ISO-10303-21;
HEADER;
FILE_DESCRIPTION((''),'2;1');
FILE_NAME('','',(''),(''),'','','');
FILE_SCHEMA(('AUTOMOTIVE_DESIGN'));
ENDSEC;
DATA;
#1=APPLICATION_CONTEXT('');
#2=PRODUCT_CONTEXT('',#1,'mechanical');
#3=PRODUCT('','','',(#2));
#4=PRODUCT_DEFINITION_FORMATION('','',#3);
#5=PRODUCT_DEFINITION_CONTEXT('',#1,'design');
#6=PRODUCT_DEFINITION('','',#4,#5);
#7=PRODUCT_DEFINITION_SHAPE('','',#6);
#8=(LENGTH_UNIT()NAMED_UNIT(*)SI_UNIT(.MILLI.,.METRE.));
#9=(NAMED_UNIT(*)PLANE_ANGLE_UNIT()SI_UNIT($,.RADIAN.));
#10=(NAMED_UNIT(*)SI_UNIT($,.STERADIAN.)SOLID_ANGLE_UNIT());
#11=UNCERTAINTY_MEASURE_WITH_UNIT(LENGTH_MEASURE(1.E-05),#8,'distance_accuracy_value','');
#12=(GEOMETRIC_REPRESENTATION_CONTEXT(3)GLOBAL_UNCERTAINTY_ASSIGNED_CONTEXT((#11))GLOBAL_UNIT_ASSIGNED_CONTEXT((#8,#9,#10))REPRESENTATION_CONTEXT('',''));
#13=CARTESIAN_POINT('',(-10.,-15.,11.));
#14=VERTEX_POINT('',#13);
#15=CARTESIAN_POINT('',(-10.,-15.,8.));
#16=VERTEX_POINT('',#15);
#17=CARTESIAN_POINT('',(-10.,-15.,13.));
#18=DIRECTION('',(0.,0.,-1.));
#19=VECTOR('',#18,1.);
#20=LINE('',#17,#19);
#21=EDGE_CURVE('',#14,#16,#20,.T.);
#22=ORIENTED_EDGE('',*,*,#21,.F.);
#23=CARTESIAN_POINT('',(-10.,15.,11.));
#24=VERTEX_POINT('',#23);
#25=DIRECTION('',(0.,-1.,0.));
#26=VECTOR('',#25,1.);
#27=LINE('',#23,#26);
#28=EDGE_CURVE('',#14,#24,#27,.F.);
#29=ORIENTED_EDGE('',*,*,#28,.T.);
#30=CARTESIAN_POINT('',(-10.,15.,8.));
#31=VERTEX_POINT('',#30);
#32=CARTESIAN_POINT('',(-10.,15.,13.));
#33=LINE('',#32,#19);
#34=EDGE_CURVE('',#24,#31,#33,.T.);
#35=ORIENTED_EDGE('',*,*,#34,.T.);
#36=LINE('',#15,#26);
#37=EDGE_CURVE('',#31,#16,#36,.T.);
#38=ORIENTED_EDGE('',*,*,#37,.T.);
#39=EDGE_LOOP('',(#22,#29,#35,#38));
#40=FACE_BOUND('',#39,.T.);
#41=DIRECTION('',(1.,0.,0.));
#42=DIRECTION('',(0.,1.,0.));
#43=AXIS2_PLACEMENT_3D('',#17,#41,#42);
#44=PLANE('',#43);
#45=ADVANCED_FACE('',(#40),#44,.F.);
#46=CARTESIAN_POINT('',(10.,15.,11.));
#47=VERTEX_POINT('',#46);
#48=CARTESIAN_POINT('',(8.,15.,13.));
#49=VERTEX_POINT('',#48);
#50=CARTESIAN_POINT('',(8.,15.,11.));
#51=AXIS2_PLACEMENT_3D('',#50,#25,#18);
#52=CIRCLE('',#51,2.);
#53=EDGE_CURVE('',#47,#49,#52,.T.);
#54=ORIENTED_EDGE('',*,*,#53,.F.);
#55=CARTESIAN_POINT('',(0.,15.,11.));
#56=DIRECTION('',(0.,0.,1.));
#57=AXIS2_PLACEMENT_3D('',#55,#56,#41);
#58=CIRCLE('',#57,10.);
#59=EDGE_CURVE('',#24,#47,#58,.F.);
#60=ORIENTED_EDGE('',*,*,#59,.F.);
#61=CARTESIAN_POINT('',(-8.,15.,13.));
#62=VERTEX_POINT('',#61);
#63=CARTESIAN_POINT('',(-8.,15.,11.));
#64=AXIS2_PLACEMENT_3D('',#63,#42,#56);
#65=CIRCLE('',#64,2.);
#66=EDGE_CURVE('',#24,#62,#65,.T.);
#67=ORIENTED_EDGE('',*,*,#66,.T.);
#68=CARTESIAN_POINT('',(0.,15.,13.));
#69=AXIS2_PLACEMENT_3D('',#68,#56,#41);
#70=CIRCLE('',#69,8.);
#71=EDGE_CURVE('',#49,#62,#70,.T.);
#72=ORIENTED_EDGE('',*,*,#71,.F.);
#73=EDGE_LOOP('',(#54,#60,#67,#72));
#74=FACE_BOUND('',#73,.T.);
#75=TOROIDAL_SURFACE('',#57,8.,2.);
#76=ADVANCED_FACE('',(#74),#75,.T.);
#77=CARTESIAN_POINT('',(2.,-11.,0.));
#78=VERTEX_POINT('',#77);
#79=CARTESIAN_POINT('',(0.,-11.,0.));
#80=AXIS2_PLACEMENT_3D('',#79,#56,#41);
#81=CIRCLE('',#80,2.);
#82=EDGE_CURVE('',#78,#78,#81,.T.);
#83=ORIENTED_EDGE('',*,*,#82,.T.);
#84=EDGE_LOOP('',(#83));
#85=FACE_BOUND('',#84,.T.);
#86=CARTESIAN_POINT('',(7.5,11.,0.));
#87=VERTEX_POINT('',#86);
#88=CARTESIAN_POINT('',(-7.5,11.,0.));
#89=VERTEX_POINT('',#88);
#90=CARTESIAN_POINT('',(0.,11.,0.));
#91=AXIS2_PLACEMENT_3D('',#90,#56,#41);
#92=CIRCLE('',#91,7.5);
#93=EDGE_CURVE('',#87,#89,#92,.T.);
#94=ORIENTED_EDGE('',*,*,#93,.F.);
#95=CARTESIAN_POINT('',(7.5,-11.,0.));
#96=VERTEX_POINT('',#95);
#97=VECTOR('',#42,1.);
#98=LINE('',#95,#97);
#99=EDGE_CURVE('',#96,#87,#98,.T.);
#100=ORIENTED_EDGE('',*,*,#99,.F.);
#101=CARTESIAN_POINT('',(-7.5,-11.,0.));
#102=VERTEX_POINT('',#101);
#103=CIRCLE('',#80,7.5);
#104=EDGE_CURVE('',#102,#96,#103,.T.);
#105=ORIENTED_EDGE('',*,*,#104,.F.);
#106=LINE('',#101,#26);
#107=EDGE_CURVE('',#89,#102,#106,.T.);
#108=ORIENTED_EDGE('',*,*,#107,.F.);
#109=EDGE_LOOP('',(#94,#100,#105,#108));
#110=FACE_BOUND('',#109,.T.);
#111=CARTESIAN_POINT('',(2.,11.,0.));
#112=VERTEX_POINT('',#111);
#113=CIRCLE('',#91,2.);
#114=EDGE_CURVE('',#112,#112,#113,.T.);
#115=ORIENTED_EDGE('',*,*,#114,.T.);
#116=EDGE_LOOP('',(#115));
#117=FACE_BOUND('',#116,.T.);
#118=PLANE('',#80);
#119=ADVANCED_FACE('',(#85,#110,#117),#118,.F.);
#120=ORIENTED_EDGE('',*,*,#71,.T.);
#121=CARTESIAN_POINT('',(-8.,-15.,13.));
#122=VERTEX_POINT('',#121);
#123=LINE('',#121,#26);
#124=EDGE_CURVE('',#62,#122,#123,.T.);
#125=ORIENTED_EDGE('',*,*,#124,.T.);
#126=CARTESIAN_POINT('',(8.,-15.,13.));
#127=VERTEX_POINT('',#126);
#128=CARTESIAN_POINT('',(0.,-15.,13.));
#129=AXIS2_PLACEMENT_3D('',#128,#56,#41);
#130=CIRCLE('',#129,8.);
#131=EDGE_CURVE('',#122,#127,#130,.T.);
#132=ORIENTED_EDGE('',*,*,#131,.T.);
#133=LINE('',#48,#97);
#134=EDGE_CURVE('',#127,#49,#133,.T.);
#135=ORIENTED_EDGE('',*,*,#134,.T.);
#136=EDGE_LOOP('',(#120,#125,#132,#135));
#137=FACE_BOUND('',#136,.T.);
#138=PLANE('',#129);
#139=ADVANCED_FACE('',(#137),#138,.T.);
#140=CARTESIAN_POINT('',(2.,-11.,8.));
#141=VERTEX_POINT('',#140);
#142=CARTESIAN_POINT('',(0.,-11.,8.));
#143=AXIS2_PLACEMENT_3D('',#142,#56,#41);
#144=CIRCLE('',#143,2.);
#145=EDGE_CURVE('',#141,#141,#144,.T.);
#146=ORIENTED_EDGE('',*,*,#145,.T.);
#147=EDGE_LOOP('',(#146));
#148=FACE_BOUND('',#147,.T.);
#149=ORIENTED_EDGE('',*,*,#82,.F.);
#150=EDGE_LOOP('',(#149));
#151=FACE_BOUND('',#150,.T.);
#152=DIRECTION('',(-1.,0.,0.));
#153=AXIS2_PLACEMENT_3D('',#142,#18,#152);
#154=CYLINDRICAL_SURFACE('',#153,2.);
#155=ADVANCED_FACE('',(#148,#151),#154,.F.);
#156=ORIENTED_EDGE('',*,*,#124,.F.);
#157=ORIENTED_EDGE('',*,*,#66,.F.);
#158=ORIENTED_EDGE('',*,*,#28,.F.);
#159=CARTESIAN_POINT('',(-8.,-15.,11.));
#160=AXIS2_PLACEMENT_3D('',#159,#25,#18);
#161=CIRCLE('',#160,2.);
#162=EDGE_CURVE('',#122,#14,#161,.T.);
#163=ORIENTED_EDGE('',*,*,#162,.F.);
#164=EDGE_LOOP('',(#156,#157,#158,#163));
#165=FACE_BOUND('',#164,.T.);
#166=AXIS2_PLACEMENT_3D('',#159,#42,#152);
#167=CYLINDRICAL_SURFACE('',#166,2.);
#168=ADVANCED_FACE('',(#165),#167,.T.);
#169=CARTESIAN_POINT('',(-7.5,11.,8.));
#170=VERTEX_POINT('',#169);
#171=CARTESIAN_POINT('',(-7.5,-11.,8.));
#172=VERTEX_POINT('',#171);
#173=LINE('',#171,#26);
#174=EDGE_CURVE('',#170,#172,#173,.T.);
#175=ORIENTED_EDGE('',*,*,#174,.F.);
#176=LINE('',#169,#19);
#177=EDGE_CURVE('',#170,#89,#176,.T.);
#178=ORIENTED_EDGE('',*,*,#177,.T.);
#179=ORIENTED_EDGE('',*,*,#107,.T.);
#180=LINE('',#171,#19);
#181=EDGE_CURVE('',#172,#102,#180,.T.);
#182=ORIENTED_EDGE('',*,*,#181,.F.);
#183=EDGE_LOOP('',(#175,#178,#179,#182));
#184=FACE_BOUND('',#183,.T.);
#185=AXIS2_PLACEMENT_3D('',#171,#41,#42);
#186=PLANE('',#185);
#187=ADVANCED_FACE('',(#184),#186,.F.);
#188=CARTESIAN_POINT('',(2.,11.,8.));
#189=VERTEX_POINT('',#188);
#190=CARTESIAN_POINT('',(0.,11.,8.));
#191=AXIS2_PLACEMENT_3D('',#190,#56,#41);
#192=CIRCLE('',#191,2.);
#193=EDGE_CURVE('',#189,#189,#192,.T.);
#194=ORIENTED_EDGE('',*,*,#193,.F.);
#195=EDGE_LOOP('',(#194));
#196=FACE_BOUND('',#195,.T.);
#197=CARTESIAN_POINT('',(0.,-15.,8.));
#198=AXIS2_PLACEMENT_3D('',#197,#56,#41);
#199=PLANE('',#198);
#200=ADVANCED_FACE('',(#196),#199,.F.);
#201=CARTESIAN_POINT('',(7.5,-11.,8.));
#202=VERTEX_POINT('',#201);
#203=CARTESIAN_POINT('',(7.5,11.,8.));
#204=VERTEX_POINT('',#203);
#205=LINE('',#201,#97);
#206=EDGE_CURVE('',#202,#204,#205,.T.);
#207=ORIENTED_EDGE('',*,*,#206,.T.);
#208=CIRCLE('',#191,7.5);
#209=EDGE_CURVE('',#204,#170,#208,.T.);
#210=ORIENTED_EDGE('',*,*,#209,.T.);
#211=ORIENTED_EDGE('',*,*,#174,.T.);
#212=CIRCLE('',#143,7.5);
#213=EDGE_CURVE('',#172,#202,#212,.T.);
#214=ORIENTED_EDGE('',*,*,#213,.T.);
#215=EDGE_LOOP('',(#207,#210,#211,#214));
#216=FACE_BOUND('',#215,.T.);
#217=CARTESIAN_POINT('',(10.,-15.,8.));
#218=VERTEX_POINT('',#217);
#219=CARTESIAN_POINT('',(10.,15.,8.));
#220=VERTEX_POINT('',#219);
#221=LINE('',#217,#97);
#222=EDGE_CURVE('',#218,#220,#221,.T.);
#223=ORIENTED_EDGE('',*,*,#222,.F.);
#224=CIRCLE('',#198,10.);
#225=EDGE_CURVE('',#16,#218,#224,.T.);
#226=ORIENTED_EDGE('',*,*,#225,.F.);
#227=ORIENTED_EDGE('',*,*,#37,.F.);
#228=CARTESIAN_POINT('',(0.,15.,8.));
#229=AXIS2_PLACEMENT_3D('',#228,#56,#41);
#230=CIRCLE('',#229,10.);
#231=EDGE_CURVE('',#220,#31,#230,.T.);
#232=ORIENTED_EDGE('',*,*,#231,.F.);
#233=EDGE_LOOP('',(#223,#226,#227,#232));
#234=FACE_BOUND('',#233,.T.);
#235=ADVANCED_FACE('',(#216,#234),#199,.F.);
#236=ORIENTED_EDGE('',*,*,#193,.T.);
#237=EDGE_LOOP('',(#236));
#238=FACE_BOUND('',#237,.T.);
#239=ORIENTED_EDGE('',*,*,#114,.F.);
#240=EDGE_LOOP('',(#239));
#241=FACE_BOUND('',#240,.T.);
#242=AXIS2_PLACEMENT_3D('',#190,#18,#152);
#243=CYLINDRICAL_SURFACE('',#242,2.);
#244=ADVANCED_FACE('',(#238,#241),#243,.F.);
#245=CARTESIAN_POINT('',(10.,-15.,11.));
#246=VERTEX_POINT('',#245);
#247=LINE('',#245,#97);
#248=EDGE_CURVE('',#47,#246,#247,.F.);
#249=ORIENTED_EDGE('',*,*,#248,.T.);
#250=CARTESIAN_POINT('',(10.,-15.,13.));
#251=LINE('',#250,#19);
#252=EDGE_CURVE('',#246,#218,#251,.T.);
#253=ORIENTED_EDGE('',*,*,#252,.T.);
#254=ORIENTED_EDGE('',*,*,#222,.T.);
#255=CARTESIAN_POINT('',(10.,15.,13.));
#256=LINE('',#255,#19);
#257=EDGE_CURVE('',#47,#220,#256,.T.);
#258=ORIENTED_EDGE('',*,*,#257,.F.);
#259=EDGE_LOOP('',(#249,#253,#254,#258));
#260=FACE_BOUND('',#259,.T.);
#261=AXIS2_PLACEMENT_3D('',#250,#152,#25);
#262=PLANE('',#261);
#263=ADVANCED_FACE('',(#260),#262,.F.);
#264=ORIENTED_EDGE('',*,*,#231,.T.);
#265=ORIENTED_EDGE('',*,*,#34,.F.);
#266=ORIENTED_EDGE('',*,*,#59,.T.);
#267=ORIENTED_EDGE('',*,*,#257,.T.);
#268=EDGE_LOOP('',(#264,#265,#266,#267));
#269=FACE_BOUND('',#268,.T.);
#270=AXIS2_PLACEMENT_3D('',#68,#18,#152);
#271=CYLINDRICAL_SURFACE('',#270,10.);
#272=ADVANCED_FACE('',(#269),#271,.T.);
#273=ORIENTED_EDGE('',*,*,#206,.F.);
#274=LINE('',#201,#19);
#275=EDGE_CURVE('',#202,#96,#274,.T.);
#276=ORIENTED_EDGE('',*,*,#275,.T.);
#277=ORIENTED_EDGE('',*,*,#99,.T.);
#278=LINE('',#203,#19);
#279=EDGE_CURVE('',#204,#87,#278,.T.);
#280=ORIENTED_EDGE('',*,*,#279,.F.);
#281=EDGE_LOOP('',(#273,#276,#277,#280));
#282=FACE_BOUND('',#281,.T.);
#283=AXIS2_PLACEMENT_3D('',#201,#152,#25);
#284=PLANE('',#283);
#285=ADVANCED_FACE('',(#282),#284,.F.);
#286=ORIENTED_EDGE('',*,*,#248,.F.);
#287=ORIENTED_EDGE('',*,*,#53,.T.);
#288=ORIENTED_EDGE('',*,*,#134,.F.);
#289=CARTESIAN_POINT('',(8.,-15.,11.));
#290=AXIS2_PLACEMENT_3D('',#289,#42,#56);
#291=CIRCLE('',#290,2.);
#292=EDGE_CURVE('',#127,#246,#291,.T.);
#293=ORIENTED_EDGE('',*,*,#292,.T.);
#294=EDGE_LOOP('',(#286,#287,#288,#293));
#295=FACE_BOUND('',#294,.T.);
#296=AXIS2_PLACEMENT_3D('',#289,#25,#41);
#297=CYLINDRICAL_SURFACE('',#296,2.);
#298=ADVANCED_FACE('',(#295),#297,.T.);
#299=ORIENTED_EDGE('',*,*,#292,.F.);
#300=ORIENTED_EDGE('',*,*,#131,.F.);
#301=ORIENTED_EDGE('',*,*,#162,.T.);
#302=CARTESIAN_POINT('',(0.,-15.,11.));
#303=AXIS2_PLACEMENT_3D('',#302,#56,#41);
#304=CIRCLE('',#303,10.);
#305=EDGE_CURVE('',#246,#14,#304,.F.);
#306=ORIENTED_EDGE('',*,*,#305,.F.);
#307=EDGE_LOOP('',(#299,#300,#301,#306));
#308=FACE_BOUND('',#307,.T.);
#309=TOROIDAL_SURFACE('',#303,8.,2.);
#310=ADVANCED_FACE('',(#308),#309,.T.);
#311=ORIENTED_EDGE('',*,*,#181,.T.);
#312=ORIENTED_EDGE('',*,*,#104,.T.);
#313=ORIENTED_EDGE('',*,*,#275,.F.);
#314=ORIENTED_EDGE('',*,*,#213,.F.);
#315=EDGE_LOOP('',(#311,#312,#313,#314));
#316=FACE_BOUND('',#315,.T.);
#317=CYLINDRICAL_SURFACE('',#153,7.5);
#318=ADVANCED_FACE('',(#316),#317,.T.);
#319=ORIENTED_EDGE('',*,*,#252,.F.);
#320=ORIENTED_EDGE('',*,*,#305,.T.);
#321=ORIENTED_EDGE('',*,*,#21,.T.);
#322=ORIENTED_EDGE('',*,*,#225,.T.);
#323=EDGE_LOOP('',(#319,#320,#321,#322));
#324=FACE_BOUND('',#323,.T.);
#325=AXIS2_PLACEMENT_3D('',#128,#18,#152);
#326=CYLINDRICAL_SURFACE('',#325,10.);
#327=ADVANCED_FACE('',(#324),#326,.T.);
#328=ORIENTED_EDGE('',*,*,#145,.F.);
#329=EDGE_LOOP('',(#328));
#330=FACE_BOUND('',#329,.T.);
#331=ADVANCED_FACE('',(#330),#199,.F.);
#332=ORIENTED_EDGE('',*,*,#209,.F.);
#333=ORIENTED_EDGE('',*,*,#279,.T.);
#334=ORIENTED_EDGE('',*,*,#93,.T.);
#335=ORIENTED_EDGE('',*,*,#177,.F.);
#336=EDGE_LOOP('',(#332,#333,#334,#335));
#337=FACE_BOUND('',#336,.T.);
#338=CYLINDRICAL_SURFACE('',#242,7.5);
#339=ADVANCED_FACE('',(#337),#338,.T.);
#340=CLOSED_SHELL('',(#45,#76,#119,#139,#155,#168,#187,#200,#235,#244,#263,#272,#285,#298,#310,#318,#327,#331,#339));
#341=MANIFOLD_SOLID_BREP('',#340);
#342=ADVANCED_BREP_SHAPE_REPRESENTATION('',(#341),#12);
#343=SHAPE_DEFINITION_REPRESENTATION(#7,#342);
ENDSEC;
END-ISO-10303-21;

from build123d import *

# Parameters (mm, degrees)
SKETCH_2_R      = 2
EXTRUDE_1_DEPTH = 8
EXTRUDE_2_DEPTH = 5
FILLET_1_R      = 2


with BuildPart() as part:
    # 草图2 → 凸台-拉伸1 (new body)
    with BuildSketch(Plane.XY):
        with BuildLine():
            Line((-7.5, -11), (-7.5, 11))
            ThreePointArc((-7.5, 11), (0, 18.5), (7.5, 11))
            Line((7.5, 11), (7.5, -11))
            ThreePointArc((7.5, -11), (0, -18.5), (-7.5, -11))
        make_face()
        with Locations((0, -11)):
            Circle(SKETCH_2_R, mode=Mode.SUBTRACT)
        with Locations((0, 11)):
            Circle(SKETCH_2_R, mode=Mode.SUBTRACT)
    extrude(amount=EXTRUDE_1_DEPTH)

    # 草图3 → 凸台-拉伸2 (add)
    with BuildSketch(Plane.XY.offset(8)):
        with BuildLine():
            Line((-10, -15), (-10, 15))
            ThreePointArc((-10, 15), (0, 25), (10, 15))
            Line((10, 15), (10, -15))
            ThreePointArc((10, -15), (0, -25), (-10, -15))
        make_face()
    extrude(amount=EXTRUDE_2_DEPTH)

    # 圆角1
    fillet_1_edges = [part.edges().sort_by_distance(p)[0] for p in [
        (0, -25, 13),
        (10, 0, 13),
        (0, 25, 13),
        (-10, 0, 13),
    ]]
    fillet(fillet_1_edges, radius=FILLET_1_R)


solid = part.part
